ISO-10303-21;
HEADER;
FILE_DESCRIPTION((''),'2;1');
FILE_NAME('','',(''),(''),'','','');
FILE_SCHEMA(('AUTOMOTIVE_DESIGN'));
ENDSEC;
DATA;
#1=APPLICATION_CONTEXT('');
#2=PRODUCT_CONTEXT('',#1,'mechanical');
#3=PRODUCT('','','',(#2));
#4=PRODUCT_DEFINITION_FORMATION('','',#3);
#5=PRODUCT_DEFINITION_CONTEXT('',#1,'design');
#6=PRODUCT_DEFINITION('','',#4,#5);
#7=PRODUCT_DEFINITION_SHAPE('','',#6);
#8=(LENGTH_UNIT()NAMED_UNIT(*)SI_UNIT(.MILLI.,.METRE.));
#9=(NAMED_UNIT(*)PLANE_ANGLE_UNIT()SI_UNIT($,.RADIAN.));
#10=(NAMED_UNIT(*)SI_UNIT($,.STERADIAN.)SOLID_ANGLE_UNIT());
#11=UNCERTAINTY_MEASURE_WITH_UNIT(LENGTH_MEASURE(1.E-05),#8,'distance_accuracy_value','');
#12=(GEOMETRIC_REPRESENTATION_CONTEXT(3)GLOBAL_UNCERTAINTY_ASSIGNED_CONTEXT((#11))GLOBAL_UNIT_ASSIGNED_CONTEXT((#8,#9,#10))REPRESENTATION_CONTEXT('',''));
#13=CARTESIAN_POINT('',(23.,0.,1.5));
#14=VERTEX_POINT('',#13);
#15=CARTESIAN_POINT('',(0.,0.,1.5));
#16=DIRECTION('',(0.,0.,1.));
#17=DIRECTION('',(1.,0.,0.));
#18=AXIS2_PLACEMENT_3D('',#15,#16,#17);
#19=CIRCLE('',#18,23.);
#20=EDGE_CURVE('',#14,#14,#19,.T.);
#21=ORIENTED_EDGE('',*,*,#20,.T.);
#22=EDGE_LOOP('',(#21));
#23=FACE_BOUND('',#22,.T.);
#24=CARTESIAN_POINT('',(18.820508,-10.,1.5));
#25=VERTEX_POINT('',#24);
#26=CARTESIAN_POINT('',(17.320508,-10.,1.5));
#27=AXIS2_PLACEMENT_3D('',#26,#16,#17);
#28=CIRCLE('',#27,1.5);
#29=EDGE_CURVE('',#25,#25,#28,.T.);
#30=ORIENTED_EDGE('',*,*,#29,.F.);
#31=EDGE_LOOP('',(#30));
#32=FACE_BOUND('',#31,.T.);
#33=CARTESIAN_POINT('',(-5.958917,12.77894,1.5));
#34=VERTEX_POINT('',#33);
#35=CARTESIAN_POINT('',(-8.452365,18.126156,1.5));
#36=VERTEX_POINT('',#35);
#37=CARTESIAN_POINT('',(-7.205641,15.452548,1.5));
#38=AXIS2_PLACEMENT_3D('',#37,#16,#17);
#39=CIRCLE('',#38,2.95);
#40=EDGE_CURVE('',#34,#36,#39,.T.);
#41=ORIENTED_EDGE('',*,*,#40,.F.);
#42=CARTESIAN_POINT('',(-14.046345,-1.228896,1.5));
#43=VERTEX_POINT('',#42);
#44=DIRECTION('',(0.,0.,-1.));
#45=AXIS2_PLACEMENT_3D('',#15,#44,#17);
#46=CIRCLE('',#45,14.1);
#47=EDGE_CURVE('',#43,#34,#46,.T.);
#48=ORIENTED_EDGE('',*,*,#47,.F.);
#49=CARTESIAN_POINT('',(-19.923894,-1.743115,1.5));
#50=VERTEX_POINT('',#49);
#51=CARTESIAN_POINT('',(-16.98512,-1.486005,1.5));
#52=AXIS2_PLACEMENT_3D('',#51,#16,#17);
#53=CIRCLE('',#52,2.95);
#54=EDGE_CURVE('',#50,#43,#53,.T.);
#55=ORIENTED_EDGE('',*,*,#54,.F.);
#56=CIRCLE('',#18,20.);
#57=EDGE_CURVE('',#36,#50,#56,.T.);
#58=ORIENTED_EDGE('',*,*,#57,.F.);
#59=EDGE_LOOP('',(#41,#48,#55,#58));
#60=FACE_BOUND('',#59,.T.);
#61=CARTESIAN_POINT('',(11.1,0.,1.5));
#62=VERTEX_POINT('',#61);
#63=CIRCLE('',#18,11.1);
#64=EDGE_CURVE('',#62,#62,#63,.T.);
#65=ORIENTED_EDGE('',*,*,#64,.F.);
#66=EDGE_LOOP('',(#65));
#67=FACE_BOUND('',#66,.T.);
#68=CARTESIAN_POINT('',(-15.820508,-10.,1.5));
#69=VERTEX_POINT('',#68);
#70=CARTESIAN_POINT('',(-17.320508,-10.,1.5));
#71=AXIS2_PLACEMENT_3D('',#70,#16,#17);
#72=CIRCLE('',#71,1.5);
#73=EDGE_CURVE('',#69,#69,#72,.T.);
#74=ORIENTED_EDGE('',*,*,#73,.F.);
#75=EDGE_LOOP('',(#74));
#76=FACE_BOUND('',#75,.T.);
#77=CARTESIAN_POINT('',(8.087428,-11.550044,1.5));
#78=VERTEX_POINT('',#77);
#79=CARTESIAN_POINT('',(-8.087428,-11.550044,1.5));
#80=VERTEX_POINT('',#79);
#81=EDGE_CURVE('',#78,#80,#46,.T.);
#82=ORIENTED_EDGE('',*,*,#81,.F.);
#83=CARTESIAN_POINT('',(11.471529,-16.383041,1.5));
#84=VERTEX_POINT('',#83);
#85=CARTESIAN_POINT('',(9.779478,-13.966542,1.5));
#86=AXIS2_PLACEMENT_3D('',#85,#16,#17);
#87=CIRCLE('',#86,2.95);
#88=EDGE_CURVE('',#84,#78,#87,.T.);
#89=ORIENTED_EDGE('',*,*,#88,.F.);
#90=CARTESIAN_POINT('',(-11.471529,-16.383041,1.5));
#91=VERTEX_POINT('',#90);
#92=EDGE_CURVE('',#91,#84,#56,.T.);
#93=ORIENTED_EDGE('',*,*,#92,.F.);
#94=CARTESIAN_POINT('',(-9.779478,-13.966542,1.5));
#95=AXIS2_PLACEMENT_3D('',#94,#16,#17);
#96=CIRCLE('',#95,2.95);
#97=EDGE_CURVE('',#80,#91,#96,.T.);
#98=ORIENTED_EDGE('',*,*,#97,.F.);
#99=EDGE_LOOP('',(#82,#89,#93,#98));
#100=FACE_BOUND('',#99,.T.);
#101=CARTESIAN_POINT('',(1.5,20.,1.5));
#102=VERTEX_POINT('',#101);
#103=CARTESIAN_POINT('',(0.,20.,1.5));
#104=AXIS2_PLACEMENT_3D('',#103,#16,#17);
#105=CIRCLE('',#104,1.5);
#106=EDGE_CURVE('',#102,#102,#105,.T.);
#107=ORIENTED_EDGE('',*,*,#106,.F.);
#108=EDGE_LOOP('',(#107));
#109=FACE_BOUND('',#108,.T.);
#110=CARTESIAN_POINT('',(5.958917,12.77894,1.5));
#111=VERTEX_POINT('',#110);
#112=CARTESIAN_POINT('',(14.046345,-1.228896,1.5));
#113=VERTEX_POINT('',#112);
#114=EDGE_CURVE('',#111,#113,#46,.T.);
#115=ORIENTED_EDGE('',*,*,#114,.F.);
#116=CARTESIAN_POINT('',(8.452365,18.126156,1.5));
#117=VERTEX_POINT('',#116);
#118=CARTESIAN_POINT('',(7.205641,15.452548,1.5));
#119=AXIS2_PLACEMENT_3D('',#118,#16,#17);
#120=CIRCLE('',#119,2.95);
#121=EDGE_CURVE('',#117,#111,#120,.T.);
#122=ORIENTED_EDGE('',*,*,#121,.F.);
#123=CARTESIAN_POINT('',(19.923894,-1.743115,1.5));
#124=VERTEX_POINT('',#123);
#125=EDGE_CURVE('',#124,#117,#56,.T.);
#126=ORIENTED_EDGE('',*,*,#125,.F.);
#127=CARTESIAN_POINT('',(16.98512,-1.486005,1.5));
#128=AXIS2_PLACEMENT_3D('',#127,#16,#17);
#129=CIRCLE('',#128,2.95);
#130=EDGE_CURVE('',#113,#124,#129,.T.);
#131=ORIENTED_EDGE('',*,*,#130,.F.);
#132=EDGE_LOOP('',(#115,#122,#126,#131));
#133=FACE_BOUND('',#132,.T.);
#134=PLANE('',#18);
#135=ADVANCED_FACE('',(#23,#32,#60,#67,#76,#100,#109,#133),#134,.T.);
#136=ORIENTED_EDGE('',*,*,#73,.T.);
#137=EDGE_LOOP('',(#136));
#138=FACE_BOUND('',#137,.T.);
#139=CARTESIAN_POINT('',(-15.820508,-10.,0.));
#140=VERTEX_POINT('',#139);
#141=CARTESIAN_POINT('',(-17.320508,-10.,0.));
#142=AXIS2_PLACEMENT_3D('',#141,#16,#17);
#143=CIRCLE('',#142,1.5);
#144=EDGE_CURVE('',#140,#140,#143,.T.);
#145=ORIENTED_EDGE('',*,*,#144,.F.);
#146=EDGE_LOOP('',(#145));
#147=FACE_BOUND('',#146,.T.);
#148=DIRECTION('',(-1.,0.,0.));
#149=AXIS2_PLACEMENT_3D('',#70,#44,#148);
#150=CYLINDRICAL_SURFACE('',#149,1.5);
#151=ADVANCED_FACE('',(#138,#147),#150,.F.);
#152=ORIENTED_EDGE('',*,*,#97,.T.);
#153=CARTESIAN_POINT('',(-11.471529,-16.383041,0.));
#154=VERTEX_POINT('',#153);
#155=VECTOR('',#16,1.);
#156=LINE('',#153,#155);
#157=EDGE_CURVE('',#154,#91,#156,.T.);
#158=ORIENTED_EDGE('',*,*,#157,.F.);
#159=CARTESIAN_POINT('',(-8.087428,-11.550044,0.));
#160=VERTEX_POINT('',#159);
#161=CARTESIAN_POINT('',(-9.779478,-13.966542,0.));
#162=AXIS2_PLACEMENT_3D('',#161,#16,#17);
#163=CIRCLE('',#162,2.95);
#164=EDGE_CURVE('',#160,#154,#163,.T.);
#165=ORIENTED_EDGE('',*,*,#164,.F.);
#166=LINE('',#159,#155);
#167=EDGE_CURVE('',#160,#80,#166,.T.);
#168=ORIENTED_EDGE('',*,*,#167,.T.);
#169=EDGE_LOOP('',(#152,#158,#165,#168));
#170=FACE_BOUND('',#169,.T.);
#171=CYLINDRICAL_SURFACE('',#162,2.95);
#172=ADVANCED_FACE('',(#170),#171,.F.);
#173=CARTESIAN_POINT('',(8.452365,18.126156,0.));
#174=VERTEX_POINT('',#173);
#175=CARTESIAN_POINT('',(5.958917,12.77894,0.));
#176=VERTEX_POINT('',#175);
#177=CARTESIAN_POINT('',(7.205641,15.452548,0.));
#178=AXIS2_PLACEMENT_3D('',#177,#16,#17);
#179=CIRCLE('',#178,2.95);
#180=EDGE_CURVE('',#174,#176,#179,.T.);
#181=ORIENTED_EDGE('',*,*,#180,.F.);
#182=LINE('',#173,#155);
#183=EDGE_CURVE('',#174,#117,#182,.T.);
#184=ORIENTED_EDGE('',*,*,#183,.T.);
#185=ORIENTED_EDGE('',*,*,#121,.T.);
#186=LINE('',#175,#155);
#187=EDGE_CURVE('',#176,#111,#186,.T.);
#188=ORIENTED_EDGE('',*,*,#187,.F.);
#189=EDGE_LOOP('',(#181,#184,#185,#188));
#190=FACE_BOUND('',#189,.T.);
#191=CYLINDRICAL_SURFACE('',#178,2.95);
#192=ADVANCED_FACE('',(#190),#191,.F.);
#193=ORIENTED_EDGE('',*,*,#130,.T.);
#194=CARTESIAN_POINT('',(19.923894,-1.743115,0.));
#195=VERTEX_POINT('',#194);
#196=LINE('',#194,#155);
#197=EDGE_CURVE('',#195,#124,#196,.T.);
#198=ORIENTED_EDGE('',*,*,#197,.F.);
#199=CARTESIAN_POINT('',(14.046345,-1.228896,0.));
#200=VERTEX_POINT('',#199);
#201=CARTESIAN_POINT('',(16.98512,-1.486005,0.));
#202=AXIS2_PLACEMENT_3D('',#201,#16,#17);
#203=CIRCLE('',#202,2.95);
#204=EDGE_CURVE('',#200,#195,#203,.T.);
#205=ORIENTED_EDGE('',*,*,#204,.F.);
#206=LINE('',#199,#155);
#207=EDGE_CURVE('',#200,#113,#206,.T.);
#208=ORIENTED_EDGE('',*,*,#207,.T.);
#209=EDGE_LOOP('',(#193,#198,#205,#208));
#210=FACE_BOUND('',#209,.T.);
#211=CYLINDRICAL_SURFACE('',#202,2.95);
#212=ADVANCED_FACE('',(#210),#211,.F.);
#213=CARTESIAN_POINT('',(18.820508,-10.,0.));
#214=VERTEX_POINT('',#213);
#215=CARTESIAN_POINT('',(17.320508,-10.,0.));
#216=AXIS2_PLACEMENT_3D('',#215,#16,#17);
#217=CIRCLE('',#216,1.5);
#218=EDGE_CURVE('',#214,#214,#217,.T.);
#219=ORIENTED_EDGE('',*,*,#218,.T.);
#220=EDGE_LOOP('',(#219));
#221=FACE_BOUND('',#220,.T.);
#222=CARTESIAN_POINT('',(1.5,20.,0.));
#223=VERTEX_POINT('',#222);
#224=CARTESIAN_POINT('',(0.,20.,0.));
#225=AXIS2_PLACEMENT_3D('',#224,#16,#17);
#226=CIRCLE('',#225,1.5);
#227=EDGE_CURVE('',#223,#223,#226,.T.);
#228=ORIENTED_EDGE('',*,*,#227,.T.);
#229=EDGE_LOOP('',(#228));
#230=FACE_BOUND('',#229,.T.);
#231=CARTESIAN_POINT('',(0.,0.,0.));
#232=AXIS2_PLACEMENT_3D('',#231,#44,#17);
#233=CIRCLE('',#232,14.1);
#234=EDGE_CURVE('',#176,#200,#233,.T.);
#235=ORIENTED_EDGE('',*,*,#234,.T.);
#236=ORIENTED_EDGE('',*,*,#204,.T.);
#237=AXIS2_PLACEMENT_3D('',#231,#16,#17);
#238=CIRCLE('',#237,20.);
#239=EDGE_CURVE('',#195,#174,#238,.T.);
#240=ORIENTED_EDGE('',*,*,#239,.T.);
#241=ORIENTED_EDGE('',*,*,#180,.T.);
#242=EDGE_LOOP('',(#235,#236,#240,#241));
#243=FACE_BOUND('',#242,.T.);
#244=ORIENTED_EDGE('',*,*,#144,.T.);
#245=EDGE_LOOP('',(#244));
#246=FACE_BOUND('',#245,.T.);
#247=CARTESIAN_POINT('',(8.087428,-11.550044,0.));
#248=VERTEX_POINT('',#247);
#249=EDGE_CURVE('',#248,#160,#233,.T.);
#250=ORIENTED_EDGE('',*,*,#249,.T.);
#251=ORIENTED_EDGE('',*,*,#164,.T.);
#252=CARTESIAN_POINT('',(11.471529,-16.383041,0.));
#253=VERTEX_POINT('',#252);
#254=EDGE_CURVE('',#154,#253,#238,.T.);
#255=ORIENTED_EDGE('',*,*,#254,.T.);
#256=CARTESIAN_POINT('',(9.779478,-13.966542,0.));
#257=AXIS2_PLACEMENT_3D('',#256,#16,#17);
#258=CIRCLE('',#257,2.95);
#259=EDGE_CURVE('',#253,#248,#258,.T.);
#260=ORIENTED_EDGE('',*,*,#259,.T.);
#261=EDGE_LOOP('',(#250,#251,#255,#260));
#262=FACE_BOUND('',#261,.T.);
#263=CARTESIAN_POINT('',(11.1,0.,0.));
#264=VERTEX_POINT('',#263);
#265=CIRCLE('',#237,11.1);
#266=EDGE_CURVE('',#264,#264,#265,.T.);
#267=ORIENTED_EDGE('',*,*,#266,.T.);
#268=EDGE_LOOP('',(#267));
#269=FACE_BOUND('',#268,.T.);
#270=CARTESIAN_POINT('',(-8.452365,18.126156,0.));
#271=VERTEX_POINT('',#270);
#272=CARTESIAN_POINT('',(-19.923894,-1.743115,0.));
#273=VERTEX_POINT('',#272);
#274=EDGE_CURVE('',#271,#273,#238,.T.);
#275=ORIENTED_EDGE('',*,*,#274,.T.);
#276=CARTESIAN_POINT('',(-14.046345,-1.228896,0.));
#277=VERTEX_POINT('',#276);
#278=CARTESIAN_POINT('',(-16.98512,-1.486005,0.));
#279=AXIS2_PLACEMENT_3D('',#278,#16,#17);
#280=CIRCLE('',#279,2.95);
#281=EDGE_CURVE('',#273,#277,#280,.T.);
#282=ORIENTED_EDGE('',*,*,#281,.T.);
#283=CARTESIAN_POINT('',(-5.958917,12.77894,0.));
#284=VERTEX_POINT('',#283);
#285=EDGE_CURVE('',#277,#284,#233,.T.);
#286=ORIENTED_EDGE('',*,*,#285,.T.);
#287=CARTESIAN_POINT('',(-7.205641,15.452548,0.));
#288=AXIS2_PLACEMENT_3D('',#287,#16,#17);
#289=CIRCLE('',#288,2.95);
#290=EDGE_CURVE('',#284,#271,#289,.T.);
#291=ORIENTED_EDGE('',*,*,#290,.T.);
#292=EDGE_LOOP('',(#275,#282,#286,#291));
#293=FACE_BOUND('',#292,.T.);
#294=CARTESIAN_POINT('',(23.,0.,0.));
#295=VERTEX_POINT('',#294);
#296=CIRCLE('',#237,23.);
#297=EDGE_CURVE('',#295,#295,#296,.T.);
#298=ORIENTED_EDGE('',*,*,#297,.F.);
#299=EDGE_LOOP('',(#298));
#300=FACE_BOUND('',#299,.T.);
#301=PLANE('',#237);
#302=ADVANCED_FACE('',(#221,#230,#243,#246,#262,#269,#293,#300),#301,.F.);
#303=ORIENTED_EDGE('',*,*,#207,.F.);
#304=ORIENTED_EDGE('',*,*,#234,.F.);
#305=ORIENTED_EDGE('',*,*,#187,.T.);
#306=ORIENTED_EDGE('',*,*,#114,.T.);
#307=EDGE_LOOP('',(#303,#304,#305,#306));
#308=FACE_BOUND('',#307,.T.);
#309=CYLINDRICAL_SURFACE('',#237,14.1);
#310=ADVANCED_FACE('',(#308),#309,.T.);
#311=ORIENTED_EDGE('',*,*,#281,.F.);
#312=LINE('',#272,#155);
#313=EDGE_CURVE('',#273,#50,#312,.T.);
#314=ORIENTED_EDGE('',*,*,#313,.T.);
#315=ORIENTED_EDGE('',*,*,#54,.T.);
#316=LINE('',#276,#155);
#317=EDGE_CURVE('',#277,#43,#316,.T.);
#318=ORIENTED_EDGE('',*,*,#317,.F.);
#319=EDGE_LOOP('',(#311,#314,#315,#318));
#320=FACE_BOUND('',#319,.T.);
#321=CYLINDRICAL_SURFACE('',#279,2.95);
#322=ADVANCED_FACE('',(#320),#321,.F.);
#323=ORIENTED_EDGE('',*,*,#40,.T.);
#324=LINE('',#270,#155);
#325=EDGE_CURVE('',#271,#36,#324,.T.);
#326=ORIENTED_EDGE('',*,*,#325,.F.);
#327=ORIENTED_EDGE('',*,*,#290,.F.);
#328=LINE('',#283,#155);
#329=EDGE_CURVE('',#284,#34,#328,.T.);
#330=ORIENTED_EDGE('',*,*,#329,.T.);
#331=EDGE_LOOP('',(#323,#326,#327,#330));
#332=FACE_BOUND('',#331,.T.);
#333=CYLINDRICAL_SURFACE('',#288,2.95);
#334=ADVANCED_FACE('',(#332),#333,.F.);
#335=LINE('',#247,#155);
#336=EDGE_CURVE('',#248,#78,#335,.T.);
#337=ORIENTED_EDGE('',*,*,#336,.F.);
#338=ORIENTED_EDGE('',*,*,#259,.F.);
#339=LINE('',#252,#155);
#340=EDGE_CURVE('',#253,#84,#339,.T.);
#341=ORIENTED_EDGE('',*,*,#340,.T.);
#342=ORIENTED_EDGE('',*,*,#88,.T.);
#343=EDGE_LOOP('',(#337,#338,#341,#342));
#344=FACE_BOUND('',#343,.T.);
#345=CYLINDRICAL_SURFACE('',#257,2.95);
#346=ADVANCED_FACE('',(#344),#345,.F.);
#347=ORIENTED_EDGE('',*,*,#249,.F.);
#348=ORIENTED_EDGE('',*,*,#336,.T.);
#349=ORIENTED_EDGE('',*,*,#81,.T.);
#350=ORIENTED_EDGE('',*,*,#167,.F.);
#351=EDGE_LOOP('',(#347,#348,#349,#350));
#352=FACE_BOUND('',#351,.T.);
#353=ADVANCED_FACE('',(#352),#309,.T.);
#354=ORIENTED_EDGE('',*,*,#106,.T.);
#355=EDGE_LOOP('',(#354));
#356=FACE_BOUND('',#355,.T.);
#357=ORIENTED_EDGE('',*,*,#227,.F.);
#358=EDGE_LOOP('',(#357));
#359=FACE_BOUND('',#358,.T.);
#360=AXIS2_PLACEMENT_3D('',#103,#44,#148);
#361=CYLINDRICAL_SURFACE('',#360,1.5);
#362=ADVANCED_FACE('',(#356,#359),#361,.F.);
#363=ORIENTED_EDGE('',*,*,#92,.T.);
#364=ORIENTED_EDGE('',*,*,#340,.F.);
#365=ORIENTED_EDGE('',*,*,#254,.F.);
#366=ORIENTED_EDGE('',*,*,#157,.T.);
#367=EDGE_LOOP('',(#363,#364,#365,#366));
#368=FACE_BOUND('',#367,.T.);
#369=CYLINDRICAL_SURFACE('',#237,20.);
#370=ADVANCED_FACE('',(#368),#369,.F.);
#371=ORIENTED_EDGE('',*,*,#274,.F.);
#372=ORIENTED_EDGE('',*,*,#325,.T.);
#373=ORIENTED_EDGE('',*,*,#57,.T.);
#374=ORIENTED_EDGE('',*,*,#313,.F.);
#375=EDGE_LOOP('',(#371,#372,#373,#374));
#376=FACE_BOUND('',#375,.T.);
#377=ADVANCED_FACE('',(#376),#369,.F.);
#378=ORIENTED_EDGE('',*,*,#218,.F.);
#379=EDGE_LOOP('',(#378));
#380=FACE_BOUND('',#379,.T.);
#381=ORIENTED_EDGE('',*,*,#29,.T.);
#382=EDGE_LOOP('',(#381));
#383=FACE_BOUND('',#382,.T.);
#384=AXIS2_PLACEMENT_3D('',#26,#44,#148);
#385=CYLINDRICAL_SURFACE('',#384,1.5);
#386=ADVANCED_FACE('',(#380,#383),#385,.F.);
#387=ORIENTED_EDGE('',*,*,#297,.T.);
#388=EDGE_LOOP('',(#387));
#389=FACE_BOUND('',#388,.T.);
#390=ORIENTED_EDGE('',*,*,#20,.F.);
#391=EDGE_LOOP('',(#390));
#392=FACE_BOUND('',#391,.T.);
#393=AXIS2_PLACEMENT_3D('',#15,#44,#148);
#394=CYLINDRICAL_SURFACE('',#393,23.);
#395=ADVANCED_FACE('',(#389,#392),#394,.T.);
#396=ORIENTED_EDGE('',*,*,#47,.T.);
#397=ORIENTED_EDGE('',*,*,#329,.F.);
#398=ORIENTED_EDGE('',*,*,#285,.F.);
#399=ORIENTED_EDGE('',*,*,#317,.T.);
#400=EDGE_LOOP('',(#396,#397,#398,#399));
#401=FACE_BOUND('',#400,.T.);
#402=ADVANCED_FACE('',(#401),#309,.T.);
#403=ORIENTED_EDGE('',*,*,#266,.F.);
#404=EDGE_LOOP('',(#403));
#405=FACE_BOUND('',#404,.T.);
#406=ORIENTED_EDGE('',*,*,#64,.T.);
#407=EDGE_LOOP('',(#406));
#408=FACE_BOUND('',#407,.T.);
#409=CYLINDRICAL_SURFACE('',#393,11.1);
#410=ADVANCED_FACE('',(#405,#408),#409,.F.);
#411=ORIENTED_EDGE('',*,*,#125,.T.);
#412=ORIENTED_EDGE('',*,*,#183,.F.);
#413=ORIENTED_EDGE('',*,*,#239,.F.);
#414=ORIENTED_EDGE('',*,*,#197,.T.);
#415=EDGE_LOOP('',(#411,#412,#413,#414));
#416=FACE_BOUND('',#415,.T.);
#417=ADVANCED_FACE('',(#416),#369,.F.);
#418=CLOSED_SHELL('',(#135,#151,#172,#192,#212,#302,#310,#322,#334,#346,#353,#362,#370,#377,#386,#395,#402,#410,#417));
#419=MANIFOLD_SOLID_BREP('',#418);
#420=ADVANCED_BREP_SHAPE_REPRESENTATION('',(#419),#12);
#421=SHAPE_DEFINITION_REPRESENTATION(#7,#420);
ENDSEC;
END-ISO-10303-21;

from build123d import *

# Parameters (mm, degrees)
SKETCH_1_R          = 23
SKETCH_1_R_2        = 1.5
SKETCH_1_R_3        = 11.1
EXTRUDE_1_DEPTH     = 1.5
CUT_EXTRUDE_1_DEPTH = 2.5


with BuildPart() as part:
    # 草图1 → 凸台-拉伸1 (new body)
    with BuildSketch(Plane.XY):
        Circle(SKETCH_1_R)
        with Locations((0, 20)):
            Circle(SKETCH_1_R_2, mode=Mode.SUBTRACT)
        Circle(SKETCH_1_R_3, mode=Mode.SUBTRACT)
        with Locations((17.320508076, -10)):
            Circle(SKETCH_1_R_2, mode=Mode.SUBTRACT)
        with Locations((-17.320508076, -10)):
            Circle(SKETCH_1_R_2, mode=Mode.SUBTRACT)
    extrude(amount=EXTRUDE_1_DEPTH)

    # 草图2 → 切除-拉伸1 (cut, through all)
    with BuildSketch(Plane.XY.offset(1.5)):
        with BuildLine():
            ThreePointArc((-8.452365235, 18.126155741), (-17.320508076, 10), (-19.923893962, -1.743114855))
            ThreePointArc((-19.923893962, -1.743114855), (-16.728010161, -4.424779773), (-14.046345243, -1.228895973))
            ThreePointArc((-14.046345243, -1.228895973), (-12.210958193, 7.05), (-5.958917491, 12.778939797))
            ThreePointArc((-5.958917491, 12.778939797), (-4.532033391, 16.699271641), (-8.452365235, 18.126155741))
        make_face()
        with BuildLine():
            ThreePointArc((19.923893962, -1.743114855), (17.320508076, 10), (8.452365235, 18.126155741))
            ThreePointArc((8.452365235, 18.126155741), (4.532033391, 16.699271641), (5.958917491, 12.778939797))
            ThreePointArc((5.958917491, 12.778939797), (12.210958193, 7.05), (14.046345243, -1.228895973))
            ThreePointArc((14.046345243, -1.228895973), (16.728010161, -4.424779773), (19.923893962, -1.743114855))
        make_face()
        with BuildLine():
            ThreePointArc((-11.471528727, -16.383040886), (0, -20), (11.471528727, -16.383040886))
            ThreePointArc((11.471528727, -16.383040886), (12.19597677, -12.274491868), (8.087427753, -11.550043824))
            ThreePointArc((8.087427753, -11.550043824), (0, -14.1), (-8.087427753, -11.550043824))
            ThreePointArc((-8.087427753, -11.550043824), (-12.19597677, -12.274491868), (-11.471528727, -16.383040886))
        make_face()
    extrude(amount=-CUT_EXTRUDE_1_DEPTH, mode=Mode.SUBTRACT)


solid = part.part
